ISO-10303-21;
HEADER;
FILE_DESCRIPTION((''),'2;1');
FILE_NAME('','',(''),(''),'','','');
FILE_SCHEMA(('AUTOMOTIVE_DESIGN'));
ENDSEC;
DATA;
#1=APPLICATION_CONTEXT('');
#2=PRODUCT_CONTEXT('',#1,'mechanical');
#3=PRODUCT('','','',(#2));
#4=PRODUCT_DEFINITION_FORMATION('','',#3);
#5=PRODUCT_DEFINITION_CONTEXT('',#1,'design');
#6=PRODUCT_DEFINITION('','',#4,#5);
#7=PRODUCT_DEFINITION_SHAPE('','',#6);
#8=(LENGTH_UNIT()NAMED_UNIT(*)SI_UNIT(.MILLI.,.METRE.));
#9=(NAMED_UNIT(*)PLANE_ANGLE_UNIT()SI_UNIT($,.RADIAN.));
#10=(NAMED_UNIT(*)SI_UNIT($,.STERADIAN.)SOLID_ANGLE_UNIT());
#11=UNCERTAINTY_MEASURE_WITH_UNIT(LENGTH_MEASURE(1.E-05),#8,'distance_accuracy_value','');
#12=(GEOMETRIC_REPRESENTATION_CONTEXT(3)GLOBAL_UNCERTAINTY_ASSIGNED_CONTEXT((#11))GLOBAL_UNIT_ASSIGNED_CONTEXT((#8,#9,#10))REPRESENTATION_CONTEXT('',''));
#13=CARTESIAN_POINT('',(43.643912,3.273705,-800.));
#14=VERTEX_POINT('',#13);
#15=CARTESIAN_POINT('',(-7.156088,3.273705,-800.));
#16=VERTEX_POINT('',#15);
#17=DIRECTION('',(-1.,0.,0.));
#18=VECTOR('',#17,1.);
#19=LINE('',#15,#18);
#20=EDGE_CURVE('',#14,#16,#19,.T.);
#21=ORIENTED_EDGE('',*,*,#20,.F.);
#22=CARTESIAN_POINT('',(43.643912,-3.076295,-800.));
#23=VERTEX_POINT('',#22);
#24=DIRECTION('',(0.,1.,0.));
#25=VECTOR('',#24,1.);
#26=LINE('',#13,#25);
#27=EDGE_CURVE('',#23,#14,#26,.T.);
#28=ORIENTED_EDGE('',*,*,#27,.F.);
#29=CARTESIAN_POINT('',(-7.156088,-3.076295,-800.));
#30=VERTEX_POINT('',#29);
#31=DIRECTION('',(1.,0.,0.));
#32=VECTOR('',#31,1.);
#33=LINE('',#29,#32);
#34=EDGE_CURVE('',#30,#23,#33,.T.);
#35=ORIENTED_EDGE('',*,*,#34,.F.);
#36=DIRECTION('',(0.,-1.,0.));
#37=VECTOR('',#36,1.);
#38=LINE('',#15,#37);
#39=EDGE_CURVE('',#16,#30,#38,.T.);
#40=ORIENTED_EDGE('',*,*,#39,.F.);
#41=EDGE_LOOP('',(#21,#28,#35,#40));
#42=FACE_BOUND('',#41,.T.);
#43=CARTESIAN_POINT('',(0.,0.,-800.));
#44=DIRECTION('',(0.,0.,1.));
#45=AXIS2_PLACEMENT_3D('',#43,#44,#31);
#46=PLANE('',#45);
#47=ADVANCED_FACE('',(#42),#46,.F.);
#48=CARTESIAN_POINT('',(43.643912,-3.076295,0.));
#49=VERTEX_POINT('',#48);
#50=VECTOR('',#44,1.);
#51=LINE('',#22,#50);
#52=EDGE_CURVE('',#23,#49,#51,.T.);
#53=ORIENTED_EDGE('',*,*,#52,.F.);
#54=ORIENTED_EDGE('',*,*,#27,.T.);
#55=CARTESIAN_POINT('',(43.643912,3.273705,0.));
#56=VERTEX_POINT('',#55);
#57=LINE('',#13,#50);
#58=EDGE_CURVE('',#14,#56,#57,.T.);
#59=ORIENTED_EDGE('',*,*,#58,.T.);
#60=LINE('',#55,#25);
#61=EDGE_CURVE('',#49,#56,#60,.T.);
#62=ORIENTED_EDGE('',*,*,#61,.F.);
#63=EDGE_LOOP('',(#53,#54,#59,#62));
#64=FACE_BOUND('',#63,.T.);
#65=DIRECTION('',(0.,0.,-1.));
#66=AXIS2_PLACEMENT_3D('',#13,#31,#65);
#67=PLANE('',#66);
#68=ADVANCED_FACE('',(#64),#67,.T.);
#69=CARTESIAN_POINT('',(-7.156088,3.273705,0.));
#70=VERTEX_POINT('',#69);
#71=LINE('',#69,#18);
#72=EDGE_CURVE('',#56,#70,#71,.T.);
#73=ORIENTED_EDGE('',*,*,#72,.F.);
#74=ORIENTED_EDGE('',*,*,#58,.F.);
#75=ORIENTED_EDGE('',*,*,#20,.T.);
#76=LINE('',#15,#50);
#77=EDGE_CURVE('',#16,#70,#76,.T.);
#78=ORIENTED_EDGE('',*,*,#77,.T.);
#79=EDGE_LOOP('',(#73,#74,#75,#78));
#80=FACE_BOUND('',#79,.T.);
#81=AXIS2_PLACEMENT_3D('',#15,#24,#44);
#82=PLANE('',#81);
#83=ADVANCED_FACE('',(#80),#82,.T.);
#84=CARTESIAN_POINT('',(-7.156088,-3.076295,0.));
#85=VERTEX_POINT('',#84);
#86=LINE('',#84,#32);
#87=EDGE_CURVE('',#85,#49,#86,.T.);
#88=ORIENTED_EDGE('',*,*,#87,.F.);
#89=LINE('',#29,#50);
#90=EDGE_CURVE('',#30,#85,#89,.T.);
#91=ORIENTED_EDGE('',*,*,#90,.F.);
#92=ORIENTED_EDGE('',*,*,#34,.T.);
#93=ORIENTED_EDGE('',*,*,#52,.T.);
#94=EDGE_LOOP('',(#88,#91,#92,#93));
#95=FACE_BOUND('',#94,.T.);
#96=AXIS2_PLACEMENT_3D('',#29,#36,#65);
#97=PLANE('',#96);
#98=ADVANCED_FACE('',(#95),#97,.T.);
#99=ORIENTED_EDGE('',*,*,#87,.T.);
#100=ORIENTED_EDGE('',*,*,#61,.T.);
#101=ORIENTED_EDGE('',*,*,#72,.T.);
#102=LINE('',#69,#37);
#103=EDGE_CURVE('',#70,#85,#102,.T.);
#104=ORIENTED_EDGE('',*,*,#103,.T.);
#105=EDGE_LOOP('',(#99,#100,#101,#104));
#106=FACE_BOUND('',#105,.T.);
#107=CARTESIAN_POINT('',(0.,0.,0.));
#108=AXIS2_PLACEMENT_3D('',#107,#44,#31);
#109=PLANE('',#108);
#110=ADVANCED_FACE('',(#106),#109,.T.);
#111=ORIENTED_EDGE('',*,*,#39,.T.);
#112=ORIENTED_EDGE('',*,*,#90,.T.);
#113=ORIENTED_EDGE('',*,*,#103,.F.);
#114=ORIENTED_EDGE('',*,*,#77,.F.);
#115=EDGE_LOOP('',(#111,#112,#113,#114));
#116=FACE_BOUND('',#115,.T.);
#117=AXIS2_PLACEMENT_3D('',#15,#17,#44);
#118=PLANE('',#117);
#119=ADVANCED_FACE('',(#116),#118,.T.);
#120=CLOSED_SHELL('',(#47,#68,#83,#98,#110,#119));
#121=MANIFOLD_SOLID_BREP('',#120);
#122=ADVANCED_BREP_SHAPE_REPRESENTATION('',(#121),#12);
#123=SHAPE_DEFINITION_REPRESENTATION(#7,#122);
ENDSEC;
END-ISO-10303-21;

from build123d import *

# Parameters (mm, degrees)
SKETCH2_W           = 50.8
SKETCH2_H           = 6.35
BOSS_EXTRUDE1_DEPTH = 800


with BuildPart() as part:
    # Sketch2 → Boss-Extrude1 (new body)
    with BuildSketch(Plane.XY):
        with Locations((18.243911917, 0.098704663)):
            Rectangle(SKETCH2_W, SKETCH2_H)
    extrude(amount=-BOSS_EXTRUDE1_DEPTH)


solid = part.part
